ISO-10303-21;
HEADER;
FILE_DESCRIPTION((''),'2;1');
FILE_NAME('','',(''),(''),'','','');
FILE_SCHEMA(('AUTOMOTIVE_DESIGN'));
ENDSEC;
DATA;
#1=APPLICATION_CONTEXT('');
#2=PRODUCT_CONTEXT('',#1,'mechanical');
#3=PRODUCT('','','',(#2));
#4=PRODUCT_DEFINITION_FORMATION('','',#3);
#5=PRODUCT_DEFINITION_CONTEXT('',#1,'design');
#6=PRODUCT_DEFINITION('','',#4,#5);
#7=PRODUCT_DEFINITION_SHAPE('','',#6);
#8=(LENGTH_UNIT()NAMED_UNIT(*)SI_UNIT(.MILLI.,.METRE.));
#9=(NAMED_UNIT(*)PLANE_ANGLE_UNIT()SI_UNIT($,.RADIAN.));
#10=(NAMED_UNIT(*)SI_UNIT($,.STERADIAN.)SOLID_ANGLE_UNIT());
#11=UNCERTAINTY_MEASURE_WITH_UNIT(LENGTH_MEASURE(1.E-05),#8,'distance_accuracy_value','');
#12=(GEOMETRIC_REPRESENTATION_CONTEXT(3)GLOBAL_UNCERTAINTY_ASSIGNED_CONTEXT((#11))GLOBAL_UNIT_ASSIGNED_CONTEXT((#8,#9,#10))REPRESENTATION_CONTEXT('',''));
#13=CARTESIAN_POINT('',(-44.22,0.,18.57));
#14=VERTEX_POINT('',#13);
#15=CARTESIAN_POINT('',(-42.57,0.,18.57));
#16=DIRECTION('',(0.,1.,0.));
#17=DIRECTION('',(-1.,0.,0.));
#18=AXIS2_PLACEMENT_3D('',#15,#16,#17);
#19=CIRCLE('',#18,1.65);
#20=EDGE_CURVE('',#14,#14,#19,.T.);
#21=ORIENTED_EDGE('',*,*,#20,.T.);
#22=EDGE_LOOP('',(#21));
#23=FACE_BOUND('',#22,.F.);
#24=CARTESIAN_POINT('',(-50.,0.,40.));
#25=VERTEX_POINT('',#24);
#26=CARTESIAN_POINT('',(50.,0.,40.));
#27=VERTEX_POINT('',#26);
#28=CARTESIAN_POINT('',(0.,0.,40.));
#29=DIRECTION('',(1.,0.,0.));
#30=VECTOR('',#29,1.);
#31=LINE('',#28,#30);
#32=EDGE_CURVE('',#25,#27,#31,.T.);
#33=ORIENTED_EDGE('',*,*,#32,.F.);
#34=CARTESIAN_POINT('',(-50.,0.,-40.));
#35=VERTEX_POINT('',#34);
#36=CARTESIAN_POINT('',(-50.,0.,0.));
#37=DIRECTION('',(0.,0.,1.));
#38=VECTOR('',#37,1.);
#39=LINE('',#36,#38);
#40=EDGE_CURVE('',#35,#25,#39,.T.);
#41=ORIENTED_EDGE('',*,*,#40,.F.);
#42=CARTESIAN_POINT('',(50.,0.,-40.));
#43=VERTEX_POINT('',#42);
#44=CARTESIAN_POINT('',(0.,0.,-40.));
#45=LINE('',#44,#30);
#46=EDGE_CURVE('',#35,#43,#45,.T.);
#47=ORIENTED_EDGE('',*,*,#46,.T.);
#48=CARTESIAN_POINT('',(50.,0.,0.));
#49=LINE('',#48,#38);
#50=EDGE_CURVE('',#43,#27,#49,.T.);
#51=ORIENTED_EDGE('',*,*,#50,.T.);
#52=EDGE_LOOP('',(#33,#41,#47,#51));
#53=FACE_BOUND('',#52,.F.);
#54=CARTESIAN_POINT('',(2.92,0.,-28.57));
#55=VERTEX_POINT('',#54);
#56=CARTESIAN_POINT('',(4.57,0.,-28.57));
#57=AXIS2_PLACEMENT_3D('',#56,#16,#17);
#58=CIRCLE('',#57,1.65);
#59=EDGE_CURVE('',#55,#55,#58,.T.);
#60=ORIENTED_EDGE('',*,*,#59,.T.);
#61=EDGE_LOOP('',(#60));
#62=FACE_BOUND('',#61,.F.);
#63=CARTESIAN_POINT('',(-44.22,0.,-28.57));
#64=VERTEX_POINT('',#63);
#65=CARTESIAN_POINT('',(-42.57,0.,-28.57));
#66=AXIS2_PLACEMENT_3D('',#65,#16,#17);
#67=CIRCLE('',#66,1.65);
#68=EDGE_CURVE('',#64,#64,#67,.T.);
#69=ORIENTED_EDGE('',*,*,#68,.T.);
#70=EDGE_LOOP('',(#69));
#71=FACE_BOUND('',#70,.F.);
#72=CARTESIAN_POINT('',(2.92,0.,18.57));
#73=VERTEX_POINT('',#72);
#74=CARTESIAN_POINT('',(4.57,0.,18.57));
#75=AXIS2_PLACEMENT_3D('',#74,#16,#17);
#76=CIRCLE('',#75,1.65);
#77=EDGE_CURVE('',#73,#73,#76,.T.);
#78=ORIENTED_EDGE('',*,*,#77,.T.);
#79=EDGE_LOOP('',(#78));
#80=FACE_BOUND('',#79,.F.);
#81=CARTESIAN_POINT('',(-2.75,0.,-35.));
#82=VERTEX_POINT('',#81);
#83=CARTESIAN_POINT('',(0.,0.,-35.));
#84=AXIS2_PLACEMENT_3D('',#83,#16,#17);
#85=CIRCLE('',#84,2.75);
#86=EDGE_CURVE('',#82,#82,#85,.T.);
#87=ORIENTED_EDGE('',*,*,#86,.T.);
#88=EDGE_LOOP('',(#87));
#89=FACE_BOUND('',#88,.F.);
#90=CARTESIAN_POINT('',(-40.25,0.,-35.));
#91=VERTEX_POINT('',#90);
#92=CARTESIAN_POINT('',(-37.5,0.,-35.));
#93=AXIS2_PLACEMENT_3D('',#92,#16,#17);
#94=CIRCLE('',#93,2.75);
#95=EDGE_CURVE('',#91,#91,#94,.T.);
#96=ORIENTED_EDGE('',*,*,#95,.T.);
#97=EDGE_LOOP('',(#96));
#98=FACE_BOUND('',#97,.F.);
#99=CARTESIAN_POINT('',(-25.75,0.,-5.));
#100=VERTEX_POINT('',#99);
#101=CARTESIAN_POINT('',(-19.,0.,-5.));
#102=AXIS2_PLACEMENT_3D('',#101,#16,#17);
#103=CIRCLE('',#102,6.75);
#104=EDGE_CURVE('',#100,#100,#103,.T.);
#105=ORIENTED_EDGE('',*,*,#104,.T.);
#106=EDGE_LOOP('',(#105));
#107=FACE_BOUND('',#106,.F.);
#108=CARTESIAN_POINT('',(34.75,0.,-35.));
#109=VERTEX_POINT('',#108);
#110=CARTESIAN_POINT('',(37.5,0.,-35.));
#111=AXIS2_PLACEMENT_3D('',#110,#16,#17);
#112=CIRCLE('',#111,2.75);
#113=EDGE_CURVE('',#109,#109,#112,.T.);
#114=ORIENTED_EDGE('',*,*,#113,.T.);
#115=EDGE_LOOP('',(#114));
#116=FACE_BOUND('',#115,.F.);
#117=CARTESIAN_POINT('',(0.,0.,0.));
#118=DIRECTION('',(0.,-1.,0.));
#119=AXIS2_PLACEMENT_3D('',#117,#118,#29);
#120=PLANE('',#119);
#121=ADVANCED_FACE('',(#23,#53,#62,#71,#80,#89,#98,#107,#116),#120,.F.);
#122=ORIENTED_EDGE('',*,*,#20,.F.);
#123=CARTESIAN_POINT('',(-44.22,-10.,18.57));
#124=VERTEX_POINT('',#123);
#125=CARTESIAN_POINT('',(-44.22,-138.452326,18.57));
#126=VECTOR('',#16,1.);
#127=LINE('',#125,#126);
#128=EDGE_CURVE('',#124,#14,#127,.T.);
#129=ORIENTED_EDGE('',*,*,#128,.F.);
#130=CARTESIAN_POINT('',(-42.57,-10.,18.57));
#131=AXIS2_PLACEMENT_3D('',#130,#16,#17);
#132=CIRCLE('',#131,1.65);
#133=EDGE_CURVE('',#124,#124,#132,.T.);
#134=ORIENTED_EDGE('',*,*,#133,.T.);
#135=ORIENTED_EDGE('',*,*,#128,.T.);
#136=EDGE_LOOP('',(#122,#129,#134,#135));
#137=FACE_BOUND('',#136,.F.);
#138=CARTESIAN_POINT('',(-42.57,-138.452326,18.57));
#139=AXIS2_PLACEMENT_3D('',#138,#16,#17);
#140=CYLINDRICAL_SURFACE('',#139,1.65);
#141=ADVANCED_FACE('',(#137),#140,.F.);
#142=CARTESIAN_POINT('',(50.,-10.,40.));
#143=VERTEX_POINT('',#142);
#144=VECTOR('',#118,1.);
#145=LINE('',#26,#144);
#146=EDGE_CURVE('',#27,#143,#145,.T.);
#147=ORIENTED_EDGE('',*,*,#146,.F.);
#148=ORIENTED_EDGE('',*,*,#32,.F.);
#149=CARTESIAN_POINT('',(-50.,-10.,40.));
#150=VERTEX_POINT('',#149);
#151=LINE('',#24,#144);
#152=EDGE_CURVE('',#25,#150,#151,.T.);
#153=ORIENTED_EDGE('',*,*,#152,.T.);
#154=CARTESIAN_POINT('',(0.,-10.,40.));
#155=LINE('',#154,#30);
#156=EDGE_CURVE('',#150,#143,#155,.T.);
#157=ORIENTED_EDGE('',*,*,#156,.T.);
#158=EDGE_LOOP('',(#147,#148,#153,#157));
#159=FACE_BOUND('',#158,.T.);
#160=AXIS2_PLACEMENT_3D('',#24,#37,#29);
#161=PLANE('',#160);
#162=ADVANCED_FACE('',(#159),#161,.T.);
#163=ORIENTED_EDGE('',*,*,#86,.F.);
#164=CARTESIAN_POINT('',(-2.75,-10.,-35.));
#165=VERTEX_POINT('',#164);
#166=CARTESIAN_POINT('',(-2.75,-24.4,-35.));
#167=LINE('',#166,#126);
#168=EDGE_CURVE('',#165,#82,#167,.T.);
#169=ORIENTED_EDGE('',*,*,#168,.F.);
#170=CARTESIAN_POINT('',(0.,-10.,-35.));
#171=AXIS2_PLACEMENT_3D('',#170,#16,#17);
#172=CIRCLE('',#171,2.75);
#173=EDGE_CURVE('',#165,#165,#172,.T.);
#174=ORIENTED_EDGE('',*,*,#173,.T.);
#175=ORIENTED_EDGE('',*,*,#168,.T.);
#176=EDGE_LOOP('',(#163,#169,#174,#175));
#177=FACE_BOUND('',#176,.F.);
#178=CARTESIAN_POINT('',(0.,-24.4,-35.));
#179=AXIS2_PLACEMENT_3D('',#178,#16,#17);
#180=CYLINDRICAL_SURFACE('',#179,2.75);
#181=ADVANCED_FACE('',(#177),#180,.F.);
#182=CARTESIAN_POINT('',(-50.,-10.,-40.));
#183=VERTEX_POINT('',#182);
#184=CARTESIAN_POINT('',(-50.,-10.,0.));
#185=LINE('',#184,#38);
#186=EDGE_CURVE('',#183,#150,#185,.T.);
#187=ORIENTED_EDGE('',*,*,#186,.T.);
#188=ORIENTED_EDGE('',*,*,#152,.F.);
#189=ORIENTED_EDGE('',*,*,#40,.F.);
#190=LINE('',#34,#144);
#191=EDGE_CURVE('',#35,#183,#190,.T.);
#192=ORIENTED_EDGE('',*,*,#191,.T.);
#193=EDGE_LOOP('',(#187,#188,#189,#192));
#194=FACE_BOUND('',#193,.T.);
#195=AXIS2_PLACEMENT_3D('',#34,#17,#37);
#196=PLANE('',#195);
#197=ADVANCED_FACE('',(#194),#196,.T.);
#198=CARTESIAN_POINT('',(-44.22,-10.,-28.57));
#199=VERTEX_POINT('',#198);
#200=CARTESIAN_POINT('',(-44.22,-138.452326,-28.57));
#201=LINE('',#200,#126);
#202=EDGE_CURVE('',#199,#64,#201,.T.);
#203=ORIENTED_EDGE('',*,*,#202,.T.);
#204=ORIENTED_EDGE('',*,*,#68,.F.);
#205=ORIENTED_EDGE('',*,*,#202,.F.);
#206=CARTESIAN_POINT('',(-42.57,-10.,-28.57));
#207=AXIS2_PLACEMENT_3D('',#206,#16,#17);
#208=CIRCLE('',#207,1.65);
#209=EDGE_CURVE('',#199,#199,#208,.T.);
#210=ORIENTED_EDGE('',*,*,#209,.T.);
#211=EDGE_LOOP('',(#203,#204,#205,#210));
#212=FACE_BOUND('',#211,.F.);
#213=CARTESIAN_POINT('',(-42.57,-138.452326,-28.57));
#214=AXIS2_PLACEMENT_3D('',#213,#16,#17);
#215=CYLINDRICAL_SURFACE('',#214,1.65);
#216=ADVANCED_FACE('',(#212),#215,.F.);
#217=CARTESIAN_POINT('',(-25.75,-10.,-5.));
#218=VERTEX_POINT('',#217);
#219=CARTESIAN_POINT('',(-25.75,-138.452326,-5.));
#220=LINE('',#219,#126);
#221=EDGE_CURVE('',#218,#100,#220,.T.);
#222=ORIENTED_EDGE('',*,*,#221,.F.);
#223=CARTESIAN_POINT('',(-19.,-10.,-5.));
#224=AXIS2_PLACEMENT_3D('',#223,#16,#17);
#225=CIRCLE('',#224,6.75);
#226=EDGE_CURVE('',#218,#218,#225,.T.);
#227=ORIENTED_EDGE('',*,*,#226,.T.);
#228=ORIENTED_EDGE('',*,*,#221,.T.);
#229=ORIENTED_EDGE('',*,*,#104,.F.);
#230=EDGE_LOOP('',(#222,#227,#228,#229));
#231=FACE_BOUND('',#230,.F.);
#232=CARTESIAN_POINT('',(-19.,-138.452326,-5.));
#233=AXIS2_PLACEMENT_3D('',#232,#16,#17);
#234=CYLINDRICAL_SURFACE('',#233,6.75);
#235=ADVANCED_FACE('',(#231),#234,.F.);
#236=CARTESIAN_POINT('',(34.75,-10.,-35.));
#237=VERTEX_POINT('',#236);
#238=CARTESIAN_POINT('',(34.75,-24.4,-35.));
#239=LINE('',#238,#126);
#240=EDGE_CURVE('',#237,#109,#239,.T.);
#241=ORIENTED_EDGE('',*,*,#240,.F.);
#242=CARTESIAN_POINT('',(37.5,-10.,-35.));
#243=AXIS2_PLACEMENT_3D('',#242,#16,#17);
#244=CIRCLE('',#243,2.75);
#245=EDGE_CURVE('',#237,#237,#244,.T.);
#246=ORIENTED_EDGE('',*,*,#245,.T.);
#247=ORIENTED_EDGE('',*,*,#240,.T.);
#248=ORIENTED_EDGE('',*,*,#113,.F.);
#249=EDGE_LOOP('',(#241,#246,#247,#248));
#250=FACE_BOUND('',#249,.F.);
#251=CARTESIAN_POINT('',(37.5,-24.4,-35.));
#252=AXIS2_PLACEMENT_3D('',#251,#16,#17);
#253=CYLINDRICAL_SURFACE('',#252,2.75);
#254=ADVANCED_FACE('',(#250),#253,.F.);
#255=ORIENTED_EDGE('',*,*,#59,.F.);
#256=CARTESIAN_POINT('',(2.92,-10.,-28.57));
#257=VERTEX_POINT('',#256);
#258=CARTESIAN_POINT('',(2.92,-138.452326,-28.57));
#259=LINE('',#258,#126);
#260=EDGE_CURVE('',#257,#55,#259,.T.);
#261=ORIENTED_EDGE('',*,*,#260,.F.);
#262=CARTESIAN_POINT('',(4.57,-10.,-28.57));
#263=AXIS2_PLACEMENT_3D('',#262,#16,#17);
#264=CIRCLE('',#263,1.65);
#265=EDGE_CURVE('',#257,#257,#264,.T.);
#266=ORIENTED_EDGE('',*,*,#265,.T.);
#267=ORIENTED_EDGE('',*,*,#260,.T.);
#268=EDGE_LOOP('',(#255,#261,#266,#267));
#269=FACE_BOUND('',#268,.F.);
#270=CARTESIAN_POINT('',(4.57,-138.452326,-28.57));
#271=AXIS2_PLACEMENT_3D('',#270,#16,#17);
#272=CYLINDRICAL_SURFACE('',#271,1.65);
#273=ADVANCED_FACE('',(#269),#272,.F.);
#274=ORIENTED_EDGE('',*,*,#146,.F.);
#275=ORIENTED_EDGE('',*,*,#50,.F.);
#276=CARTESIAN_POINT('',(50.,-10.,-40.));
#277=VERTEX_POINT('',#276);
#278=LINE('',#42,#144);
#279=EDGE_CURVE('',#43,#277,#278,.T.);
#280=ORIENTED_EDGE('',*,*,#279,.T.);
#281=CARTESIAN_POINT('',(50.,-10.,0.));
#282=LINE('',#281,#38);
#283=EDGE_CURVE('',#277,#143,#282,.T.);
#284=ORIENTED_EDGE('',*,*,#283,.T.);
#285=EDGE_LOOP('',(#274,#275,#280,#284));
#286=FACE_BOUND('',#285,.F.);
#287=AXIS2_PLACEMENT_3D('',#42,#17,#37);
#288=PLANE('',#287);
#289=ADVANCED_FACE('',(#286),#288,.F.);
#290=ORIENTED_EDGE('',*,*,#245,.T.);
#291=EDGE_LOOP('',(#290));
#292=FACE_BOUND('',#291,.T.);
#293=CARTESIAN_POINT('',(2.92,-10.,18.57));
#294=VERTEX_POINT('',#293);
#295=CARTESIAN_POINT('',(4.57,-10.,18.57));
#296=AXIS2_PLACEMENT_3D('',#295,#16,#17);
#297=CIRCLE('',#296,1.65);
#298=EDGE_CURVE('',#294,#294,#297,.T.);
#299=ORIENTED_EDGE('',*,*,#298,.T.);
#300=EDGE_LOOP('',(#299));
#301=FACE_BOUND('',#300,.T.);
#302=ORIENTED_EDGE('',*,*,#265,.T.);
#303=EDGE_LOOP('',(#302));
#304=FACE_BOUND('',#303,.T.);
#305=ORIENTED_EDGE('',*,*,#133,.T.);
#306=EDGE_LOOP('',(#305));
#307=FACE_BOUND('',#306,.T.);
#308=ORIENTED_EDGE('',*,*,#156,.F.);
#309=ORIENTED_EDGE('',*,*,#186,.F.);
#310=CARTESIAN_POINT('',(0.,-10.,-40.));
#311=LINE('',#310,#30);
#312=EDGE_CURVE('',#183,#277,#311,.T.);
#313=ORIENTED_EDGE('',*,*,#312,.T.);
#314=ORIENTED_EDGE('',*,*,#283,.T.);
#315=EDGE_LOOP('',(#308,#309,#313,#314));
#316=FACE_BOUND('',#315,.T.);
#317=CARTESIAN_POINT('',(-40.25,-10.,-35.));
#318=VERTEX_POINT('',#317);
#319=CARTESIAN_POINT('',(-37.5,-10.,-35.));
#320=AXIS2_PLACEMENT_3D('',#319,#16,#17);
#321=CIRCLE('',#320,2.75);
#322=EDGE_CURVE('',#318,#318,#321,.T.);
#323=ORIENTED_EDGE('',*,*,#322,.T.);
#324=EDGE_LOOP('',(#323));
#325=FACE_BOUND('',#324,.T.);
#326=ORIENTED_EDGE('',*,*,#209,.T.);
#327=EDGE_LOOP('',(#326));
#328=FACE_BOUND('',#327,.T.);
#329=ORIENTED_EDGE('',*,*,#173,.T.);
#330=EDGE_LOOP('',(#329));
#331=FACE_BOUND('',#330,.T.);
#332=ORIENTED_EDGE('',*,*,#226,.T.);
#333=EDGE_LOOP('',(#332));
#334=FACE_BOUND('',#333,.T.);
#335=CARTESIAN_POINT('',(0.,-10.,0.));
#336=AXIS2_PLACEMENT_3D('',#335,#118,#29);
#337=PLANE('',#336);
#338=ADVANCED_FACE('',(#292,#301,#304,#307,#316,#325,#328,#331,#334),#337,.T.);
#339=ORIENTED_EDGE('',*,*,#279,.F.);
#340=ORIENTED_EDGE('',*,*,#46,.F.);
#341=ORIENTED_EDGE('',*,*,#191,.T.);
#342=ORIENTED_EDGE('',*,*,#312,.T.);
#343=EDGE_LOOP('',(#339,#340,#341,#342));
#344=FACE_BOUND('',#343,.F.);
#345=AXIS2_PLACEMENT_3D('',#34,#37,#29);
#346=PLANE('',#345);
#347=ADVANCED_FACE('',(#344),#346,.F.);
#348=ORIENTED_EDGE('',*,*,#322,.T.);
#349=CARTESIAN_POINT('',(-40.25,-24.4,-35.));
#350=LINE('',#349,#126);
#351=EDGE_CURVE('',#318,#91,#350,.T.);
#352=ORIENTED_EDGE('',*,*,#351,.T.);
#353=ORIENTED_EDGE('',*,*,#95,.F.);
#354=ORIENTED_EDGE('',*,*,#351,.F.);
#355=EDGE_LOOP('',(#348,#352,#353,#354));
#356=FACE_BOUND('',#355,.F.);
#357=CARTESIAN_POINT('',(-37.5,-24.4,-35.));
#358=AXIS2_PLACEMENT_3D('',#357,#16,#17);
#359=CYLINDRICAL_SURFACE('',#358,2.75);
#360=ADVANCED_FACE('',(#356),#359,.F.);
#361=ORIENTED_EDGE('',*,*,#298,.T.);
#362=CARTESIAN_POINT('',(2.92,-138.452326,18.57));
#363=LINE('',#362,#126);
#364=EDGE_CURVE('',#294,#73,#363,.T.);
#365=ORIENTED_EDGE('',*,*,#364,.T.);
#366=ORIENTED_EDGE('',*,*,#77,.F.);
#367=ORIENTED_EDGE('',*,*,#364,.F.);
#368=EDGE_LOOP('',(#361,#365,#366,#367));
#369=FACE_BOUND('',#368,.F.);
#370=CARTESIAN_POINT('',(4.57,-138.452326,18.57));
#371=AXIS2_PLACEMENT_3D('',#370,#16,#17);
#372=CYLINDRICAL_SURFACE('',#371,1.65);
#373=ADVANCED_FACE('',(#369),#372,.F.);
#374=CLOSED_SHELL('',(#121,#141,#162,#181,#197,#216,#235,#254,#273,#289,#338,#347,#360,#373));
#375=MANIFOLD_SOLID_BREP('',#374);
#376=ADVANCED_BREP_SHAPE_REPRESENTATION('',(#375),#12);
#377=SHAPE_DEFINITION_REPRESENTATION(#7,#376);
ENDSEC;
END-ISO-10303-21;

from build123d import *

# Parameters (mm, degrees)
F0_W     = 100
F0_H     = 80
F1_DEPTH = 10
F3_D     = 3.3
F4_D     = 13.5
F5_D     = 5.5
F5_DEPTH = 14.4
F5_TIP   = 1.6523667023


with BuildPart() as f1:
    # F0 (on Front) → F1 (new body)
    with BuildSketch(Plane.XZ):
        Rectangle(F0_W, F0_H)
    extrude(amount=F1_DEPTH)

    # F3 (through all)
    with Locations(Plane.XZ.offset(10)):
        with Locations((-42.57, 18.57), (4.57, 18.57), (-42.57, -28.57), (4.57, -28.57)):
            Hole(F3_D / 2)

    # F4 (through all)
    with Locations(Plane.XZ.offset(10)):
        with Locations((-19, -5)):
            Hole(F4_D / 2)

    # F5
    with Locations(Plane.XZ.offset(10)):
        with Locations((-37.5, -35), (0, -35), (37.5, -35)):
            Hole(F5_D / 2, depth=F5_DEPTH)
            with Locations((0, 0, -(F5_DEPTH + F5_TIP / 2))):  # 118° drill point
                Cone(0, F5_D / 2, F5_TIP, mode=Mode.SUBTRACT)


solid = f1.part
